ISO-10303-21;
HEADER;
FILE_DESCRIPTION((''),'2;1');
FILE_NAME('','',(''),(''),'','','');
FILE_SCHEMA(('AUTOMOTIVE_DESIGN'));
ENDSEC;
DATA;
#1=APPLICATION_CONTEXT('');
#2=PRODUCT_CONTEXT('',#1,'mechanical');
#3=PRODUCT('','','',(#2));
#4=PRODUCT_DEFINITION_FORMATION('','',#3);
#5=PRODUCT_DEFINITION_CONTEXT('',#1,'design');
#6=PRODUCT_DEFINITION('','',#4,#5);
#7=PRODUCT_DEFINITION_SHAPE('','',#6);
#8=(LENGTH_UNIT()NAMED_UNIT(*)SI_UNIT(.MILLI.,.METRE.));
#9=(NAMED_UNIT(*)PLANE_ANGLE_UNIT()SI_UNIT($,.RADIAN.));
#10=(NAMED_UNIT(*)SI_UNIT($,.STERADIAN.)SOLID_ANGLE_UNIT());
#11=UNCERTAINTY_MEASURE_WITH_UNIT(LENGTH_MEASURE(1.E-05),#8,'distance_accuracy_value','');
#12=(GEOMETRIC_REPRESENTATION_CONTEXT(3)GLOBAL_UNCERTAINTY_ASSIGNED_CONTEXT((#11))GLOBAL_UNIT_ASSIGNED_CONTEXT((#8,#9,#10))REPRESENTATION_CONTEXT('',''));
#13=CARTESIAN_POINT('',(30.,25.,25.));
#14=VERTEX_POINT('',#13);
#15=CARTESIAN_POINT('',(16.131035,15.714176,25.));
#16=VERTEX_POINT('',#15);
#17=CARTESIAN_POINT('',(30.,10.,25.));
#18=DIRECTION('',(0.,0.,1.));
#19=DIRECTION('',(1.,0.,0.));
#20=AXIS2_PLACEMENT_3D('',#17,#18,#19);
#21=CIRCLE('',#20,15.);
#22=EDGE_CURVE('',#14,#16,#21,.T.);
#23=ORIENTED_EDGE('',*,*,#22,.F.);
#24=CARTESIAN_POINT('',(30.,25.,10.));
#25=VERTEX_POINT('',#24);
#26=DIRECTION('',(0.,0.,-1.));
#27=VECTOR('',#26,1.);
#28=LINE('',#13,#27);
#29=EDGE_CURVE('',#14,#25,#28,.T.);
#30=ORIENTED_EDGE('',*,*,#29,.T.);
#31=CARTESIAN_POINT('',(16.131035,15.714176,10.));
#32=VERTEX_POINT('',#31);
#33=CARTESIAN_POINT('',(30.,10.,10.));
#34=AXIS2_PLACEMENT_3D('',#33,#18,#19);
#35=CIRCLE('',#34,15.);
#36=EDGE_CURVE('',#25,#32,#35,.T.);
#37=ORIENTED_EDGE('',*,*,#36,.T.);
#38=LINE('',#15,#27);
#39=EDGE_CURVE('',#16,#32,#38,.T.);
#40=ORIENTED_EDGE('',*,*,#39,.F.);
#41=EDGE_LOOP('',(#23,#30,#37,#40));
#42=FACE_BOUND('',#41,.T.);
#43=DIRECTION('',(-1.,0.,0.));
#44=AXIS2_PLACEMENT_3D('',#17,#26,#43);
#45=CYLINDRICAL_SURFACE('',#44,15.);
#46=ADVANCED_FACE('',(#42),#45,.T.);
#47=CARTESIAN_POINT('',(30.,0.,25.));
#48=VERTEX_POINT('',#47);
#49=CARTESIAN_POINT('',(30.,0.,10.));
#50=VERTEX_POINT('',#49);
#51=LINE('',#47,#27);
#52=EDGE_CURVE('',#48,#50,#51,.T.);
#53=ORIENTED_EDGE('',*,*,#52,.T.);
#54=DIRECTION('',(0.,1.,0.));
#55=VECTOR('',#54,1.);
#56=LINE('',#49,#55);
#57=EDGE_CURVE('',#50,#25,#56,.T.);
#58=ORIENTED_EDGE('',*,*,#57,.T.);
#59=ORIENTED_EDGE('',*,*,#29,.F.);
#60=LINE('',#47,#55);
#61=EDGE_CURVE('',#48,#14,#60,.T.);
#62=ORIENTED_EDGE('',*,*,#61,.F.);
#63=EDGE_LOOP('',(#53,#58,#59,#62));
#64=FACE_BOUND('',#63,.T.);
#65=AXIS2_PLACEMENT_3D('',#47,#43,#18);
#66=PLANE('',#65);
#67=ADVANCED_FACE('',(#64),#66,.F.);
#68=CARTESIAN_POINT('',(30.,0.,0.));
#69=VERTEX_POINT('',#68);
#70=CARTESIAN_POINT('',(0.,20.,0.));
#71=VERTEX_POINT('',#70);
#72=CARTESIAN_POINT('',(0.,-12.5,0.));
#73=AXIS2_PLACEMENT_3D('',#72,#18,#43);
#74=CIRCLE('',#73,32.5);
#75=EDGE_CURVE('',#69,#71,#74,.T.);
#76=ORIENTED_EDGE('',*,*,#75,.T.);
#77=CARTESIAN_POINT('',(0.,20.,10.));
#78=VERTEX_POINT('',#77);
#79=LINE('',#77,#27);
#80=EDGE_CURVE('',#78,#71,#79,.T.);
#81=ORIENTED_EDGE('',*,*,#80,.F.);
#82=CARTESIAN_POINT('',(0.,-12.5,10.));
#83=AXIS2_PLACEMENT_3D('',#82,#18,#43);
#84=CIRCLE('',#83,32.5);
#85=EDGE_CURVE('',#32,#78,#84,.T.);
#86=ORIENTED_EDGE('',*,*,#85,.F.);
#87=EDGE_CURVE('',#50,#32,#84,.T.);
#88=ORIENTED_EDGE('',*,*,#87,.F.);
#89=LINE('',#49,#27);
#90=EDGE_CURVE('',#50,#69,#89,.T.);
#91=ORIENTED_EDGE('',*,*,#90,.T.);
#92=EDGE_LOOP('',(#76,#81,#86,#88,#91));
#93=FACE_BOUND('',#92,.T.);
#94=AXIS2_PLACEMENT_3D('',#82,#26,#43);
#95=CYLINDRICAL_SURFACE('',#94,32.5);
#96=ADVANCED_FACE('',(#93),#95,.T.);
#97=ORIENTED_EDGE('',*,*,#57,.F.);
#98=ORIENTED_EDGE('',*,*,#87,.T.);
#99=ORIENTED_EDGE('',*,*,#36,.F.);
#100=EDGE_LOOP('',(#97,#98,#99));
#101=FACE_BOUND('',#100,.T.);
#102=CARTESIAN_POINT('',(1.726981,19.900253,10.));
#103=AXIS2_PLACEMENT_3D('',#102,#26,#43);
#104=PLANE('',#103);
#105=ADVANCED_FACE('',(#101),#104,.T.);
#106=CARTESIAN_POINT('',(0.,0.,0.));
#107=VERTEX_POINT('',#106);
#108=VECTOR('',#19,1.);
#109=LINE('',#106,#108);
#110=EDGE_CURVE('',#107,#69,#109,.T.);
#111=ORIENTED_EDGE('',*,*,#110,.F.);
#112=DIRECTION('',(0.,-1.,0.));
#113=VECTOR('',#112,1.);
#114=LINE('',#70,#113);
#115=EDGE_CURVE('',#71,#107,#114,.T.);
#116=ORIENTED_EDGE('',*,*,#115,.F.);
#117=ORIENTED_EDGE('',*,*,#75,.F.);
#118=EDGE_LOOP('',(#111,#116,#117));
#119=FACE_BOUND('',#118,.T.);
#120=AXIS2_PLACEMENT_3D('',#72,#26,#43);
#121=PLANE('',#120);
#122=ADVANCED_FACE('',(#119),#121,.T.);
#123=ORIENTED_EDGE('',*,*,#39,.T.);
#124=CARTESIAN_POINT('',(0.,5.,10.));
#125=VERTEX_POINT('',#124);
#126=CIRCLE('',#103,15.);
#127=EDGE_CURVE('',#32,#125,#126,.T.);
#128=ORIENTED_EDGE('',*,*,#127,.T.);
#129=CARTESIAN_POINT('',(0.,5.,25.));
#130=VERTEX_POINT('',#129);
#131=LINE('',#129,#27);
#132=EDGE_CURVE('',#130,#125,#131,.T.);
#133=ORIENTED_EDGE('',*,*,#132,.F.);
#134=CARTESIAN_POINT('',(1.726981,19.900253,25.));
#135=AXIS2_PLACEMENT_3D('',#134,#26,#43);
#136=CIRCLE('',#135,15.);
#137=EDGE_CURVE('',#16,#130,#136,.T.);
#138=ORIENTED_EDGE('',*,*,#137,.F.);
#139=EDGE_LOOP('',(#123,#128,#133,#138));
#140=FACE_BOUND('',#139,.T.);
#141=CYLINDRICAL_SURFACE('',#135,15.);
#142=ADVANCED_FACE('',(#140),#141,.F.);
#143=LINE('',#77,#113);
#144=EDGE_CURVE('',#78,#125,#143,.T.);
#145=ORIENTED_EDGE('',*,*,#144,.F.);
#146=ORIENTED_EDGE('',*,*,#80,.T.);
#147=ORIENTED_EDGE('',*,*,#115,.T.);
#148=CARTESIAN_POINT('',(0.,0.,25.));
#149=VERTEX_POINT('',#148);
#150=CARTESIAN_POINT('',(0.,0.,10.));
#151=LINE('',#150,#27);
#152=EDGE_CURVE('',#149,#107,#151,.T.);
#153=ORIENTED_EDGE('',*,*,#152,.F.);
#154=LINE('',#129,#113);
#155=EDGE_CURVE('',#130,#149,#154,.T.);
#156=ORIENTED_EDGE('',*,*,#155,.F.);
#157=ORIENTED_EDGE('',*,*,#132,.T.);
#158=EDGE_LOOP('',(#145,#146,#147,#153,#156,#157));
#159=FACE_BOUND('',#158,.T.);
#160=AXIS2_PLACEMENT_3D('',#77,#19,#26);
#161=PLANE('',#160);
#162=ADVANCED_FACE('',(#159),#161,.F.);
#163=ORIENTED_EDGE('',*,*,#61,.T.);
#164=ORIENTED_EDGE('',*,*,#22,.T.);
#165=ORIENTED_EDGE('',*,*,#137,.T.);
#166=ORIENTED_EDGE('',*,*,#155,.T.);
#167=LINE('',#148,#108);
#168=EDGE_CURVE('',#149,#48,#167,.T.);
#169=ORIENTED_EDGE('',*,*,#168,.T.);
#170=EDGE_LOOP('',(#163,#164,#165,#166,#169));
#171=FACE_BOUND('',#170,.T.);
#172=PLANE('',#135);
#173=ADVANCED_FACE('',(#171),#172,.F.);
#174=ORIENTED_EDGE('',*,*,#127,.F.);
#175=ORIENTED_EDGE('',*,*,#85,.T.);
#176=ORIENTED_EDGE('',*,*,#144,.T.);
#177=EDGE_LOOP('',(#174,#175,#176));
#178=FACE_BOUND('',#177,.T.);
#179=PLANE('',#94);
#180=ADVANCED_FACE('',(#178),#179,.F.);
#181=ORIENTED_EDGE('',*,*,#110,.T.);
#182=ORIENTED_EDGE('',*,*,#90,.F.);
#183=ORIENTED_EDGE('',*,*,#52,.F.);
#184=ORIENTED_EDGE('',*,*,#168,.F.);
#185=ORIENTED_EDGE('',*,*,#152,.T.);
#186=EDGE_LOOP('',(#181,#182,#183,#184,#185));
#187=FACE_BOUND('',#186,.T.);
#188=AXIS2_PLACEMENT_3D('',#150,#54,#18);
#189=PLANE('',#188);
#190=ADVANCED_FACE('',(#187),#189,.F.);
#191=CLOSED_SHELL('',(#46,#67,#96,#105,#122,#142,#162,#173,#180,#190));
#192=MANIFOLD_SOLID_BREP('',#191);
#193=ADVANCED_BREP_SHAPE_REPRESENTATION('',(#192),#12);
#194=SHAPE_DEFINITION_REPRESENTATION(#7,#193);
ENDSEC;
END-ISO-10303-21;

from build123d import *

# Parameters (mm, degrees)
BOSS_EXTRUDE1_DEPTH = 10
BOSS_EXTRUDE5_DEPTH = 15


with BuildPart() as part:
    # Sketch1 → Boss-Extrude1 (new body)
    with BuildSketch(Plane.XY):
        with BuildLine():
            Line((0, 20), (0, 0))
            Line((0, 0), (30, 0))
            ThreePointArc((30, 0), (18.027756377, 14.541634566), (0, 20))
        make_face()
    extrude(amount=BOSS_EXTRUDE1_DEPTH)

    # Sketch2 → Boss-Extrude5 (add)
    with BuildSketch(Plane.XY.offset(10)):
        with BuildLine():
            Line((0, 5), (0, 0))
            Line((0, 0), (30, 0))
            Line((30, 0), (30, 25))
            ThreePointArc((30, 25), (21.654721001, 22.464201476), (16.131034824, 15.71417579))
            ThreePointArc((16.131034824, 15.71417579), (10.026103583, 7.405271123), (0, 5))
        make_face()
    extrude(amount=BOSS_EXTRUDE5_DEPTH)


solid = part.part
